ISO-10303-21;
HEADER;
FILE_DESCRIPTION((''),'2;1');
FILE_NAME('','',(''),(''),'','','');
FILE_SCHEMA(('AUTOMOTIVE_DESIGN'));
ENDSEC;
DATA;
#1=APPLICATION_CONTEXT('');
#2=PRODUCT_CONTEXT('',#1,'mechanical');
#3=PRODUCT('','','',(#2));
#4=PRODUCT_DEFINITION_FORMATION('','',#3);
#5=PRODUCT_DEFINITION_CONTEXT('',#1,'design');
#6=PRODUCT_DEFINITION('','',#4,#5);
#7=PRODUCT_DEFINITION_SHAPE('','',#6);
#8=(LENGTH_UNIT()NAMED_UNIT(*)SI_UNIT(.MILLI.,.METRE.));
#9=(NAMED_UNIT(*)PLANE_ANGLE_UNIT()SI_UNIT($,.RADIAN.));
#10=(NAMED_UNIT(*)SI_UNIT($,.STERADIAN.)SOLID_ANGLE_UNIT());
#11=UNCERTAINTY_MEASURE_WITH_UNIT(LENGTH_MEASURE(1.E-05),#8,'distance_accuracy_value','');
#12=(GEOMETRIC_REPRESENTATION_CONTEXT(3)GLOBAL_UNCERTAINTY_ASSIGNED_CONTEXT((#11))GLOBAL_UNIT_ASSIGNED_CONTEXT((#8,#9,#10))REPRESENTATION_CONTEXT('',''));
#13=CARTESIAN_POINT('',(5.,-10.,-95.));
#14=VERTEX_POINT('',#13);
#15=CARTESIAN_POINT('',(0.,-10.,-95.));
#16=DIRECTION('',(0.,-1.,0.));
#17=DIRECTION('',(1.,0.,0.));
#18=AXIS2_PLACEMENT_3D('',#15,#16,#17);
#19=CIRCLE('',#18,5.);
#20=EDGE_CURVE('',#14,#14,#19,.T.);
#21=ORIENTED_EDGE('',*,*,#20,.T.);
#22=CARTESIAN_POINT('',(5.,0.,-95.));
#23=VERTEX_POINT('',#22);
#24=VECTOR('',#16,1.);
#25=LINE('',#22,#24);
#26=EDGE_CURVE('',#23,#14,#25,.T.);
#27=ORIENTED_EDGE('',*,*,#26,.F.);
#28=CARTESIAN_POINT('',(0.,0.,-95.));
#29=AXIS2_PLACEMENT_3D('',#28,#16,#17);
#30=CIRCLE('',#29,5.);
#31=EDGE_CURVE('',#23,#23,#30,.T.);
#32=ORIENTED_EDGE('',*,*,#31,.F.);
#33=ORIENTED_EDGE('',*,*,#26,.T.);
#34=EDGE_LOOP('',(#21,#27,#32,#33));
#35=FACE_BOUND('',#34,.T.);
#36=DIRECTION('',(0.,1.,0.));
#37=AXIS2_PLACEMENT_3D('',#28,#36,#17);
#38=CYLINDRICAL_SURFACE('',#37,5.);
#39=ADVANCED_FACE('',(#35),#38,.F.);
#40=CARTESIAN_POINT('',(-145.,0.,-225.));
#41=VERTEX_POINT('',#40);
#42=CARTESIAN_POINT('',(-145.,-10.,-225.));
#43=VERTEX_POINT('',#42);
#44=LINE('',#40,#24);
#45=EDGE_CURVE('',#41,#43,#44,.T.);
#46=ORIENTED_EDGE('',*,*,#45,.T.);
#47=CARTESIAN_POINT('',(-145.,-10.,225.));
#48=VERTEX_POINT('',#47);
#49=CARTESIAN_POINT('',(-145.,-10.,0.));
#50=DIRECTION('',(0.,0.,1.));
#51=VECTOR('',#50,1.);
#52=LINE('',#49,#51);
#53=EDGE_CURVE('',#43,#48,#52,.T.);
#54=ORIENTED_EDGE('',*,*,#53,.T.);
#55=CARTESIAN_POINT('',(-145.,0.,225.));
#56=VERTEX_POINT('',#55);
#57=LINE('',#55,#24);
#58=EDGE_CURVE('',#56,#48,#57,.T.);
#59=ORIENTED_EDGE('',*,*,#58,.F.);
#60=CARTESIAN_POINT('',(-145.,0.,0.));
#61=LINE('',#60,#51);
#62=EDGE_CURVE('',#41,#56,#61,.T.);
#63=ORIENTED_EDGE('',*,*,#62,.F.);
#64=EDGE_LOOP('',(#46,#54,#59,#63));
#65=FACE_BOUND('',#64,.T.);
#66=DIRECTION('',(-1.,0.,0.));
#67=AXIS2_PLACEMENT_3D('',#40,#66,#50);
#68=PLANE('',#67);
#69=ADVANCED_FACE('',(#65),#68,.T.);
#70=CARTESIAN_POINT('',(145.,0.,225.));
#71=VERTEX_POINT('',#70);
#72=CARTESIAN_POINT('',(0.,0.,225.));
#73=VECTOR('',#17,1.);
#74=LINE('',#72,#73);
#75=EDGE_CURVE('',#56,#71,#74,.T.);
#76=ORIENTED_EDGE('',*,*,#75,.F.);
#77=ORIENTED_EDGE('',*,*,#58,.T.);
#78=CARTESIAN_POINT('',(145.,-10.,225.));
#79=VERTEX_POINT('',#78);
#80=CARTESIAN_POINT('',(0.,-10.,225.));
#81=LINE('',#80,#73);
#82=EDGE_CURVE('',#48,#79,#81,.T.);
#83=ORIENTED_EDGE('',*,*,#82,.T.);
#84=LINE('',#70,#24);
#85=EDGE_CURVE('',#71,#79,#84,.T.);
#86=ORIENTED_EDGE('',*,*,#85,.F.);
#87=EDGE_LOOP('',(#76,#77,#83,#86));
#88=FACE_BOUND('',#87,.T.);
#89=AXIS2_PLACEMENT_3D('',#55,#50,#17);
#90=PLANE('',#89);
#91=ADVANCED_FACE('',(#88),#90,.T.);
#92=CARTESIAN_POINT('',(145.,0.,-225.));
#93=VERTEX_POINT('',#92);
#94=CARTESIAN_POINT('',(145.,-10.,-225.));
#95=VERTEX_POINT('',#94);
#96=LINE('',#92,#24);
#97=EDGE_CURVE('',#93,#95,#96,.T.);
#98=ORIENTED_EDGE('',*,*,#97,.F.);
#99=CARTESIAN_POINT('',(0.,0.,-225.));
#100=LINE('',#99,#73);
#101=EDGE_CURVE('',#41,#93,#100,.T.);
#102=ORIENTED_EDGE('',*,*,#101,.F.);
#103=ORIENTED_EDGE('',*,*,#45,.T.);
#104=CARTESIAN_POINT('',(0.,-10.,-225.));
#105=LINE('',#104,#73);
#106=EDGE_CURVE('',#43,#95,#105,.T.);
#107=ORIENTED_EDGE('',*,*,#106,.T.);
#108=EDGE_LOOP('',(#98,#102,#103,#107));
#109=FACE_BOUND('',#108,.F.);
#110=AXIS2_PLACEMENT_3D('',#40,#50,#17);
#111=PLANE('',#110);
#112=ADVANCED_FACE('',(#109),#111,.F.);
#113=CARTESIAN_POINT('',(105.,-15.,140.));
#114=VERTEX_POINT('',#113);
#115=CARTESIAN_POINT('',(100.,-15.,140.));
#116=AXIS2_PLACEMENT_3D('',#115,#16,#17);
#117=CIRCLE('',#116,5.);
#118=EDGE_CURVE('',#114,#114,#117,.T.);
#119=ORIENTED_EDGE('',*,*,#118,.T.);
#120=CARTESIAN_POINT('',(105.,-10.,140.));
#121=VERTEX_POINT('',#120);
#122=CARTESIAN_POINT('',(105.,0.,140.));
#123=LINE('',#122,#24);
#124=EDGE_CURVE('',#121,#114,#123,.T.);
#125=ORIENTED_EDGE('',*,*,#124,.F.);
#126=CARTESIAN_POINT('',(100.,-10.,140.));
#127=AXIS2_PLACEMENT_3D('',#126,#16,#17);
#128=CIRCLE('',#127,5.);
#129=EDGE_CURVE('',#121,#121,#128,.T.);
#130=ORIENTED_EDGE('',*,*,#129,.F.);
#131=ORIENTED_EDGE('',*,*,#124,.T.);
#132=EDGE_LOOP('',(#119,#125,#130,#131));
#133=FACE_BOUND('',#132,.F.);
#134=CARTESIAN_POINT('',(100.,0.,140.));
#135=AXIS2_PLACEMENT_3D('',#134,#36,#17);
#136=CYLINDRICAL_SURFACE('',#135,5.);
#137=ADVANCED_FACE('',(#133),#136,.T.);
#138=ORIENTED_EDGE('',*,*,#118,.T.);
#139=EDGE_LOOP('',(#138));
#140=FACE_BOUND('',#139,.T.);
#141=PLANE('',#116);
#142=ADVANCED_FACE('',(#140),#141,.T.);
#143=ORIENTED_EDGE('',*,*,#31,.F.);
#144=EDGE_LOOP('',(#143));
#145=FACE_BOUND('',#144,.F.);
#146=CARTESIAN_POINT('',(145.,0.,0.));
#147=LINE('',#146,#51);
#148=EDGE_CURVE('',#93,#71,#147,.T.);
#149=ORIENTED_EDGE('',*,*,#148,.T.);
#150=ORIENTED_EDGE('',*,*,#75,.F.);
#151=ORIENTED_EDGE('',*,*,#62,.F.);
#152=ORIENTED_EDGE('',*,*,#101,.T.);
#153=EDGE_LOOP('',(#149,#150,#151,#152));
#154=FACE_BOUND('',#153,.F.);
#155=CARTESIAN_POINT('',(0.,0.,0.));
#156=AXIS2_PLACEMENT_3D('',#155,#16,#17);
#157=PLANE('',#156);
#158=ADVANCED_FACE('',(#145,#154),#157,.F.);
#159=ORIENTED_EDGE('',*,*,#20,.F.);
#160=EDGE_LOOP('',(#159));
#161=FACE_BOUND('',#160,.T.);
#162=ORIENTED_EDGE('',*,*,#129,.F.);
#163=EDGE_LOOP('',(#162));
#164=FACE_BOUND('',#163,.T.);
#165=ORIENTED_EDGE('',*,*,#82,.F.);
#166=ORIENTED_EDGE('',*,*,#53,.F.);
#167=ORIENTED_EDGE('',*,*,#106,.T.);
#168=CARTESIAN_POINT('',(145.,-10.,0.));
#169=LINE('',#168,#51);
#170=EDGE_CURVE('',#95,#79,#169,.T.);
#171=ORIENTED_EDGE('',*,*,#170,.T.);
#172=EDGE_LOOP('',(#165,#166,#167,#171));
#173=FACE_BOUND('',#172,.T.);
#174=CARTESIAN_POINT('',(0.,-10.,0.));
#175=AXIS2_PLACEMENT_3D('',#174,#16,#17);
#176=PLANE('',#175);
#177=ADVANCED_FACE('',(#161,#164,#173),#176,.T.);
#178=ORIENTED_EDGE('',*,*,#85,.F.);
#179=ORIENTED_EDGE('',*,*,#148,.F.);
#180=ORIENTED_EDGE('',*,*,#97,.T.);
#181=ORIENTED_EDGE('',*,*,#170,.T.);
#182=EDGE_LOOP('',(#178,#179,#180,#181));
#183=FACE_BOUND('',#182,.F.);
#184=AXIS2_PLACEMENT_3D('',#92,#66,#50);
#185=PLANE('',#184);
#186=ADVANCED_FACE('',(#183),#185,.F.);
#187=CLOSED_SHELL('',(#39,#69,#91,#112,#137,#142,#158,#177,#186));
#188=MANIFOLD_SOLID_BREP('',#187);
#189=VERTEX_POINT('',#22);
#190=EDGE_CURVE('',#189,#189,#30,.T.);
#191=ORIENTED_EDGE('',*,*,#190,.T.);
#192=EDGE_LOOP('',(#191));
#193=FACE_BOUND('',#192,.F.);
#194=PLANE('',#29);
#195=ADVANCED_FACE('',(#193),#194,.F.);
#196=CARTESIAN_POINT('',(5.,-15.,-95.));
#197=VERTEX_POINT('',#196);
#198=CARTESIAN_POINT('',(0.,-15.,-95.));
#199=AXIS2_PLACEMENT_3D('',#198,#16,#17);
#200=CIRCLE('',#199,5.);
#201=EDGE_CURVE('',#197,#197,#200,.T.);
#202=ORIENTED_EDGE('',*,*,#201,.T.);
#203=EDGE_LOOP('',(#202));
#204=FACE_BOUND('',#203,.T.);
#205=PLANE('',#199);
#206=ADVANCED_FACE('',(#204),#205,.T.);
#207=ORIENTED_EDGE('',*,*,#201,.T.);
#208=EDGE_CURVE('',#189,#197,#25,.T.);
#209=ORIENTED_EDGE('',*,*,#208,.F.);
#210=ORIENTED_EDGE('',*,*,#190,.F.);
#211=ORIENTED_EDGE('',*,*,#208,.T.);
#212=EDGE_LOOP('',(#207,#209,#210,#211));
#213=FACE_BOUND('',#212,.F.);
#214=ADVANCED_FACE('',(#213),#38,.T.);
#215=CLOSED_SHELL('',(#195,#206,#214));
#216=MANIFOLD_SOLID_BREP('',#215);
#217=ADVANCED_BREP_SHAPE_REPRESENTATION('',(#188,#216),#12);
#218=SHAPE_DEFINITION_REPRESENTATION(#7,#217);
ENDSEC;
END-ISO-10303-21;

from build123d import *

# Parameters (mm, degrees)
F0_W     = 290
F0_H     = 450
F0_R     = 5
F1_DEPTH = 10
F2_DEPTH = 15
F3_DEPTH = 15


with BuildPart() as f1:
    # F0 (on Front) → F1 (new body)
    with BuildSketch(Plane.XZ):
        Rectangle(F0_W, F0_H)
        with Locations((0, -95)):
            Circle(F0_R, mode=Mode.SUBTRACT)
        with Locations((100, 140)):
            Circle(F0_R, mode=Mode.SUBTRACT)
    extrude(amount=F1_DEPTH)

    # F0 (on Front) → F2 (join)
    with BuildSketch(Plane.XZ):
        with Locations((100, 140)):
            Circle(F0_R)
    extrude(amount=F2_DEPTH)


with BuildPart() as f3:
    # F0 (on Front) → F3 (new body)
    with BuildSketch(Plane.XZ):
        with Locations((0, -95)):
            Circle(F0_R)
    extrude(amount=F3_DEPTH)


solid = Compound([f1.part, f3.part])
